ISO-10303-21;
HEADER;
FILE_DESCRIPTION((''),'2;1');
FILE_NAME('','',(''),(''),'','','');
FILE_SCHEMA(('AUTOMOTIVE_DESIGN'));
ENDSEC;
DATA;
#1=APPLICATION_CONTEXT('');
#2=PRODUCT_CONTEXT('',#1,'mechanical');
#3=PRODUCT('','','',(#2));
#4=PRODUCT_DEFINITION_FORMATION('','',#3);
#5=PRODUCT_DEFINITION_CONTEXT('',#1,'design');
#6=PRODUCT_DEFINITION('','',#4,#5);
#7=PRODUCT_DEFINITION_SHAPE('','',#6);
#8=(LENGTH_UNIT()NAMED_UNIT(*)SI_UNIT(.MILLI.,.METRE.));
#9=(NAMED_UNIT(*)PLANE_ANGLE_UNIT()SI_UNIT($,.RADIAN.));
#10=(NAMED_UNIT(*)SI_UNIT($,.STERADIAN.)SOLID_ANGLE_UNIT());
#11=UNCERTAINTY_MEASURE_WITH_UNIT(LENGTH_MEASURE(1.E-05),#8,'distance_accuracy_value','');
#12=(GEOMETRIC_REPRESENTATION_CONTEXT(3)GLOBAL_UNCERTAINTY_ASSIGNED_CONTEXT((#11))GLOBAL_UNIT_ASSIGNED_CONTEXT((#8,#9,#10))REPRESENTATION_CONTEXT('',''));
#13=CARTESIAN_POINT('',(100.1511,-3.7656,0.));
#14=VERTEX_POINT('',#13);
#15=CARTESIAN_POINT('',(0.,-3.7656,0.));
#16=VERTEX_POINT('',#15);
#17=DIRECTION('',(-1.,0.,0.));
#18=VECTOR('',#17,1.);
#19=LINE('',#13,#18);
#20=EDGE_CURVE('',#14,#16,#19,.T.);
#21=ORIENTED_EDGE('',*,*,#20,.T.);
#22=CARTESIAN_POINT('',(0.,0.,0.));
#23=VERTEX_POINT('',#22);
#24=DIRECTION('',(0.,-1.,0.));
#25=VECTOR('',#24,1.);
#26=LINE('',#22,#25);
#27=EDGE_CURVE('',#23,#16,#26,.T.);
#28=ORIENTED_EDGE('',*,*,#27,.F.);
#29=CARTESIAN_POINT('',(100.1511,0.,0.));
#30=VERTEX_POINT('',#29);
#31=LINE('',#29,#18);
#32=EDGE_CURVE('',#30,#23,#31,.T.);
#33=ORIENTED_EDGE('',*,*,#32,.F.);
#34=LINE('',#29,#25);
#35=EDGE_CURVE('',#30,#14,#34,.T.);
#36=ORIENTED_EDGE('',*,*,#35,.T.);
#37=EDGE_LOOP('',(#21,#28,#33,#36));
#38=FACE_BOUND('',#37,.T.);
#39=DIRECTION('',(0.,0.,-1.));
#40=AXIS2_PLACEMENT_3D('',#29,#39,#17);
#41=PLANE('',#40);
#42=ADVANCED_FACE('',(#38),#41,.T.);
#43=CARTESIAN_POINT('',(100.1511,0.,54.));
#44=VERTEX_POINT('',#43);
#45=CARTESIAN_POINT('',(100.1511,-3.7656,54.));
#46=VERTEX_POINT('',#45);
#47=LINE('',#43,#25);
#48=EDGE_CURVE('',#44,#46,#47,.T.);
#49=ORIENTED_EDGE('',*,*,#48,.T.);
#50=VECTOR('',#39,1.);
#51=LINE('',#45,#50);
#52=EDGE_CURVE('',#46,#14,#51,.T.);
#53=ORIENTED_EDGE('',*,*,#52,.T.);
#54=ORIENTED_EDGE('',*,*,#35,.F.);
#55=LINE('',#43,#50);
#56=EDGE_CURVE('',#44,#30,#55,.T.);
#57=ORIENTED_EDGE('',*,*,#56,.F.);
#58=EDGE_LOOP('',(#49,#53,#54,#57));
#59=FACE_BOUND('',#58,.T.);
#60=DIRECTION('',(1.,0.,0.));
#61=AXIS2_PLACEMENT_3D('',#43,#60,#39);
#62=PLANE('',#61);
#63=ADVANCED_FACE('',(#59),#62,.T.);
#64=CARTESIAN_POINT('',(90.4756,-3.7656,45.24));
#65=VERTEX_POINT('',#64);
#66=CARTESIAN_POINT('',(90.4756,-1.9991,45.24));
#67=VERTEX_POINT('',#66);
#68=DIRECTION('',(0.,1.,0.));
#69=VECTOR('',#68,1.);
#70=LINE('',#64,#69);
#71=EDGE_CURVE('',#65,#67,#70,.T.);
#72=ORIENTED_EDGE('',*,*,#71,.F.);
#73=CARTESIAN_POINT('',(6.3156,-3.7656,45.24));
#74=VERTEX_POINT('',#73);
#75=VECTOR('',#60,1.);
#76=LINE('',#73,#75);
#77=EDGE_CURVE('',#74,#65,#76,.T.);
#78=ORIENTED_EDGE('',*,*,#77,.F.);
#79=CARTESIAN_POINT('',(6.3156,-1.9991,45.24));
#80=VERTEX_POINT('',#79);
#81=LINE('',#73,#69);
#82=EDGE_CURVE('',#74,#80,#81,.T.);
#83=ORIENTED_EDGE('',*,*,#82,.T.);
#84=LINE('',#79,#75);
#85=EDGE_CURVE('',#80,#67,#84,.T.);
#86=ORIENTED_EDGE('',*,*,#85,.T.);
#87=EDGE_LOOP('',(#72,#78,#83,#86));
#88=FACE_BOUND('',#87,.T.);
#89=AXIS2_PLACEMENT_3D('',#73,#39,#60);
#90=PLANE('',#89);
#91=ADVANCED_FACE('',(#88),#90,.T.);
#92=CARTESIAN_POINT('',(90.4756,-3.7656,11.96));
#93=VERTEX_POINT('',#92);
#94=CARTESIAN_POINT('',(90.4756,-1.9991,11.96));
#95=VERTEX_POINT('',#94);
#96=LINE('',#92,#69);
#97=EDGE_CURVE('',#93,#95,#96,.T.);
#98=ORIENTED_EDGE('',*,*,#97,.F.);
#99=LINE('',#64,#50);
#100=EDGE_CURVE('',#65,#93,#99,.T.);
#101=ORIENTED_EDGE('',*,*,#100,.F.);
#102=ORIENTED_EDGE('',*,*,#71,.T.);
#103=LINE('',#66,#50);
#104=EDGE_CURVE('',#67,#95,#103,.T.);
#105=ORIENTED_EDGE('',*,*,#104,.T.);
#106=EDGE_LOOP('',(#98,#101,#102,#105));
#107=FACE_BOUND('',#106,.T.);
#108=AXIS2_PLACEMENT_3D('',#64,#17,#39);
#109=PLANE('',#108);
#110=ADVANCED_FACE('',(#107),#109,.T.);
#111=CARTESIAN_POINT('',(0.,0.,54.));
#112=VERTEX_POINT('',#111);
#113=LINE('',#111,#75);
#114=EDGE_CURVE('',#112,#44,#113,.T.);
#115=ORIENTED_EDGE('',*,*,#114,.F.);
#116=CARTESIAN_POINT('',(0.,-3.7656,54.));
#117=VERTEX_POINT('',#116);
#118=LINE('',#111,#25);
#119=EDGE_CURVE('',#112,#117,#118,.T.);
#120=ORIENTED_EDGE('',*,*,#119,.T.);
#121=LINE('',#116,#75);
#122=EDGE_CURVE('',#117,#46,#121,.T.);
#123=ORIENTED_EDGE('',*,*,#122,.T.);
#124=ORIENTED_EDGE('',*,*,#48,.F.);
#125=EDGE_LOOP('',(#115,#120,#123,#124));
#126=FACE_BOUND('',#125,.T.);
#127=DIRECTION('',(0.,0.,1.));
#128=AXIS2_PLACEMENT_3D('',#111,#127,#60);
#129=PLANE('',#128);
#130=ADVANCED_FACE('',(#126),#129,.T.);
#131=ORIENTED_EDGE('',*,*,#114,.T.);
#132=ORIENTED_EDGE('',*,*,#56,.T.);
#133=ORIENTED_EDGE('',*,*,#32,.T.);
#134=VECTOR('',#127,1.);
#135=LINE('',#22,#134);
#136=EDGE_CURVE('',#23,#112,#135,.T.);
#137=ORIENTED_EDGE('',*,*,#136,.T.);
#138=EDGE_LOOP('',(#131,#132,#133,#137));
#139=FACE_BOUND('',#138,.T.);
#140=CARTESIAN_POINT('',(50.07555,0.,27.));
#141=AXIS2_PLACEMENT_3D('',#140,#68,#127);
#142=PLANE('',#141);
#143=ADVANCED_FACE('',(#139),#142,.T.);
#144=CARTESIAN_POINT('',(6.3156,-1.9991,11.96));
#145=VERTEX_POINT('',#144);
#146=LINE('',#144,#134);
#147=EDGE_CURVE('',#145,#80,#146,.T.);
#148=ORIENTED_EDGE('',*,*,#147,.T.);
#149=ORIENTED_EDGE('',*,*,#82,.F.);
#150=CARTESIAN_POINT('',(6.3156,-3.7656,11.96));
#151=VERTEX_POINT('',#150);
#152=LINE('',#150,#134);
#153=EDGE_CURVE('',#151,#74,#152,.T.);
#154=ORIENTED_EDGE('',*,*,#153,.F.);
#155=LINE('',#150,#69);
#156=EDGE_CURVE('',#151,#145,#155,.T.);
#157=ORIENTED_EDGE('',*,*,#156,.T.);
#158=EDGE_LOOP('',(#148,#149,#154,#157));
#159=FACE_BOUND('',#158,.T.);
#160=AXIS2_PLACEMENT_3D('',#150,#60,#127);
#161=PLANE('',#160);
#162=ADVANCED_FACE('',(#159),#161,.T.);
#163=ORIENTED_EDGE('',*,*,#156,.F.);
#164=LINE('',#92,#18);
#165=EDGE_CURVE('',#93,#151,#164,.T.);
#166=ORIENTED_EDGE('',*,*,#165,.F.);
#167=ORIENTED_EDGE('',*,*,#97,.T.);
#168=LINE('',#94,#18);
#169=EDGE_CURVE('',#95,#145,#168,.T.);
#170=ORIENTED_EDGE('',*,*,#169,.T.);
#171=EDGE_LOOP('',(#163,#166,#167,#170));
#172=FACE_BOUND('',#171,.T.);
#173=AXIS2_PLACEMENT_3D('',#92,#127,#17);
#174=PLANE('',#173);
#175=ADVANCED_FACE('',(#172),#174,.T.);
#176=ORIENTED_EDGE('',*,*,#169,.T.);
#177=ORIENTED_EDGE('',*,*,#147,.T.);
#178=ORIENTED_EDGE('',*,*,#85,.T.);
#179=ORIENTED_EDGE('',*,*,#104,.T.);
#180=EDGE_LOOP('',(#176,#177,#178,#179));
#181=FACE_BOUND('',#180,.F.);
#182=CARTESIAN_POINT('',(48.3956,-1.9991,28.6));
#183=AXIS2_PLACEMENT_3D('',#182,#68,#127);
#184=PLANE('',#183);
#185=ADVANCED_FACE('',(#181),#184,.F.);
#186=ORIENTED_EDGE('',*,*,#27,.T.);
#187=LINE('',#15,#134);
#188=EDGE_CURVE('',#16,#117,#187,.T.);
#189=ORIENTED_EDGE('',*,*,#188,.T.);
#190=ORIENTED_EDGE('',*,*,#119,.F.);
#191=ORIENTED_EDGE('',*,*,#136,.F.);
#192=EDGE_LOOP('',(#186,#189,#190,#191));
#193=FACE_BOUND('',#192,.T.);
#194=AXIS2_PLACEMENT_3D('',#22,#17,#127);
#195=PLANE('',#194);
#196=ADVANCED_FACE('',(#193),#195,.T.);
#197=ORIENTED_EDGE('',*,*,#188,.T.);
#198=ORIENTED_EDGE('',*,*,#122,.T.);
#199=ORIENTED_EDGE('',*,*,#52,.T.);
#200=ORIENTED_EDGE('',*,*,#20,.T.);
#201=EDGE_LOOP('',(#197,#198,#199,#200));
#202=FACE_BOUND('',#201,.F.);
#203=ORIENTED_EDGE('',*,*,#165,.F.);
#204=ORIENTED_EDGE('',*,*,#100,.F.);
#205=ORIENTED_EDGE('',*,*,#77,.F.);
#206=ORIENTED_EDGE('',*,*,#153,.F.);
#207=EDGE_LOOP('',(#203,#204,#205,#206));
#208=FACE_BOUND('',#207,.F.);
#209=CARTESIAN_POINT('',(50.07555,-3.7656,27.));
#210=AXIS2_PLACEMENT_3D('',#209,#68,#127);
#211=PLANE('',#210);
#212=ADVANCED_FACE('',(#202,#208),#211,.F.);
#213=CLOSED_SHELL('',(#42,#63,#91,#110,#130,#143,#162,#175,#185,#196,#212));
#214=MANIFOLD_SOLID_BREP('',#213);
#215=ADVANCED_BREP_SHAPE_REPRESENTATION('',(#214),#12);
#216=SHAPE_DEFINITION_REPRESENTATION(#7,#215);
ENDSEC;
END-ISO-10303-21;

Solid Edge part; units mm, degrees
sketch "Sketch1" plane through (0, 0, 0) normal (0, -1, 0) x (1, 0, 0)
  line L0 (100.1511, 54) -> (100.1511, 0)
  line L1 (100.1511, 0) -> (0, 0)
  line L2 (0, 0) -> (0, 54)
  line L3 (0, 54) -> (100.1511, 54)
extrude "Protrusion1" add sketch "Sketch1" along normal blind 3.7656
sketch "Sketch2" plane through (50.0756, -3.7656, 27) normal (0, -1, 0) x (1, 0, 0)
  line L0 (40.4, -15.04) -> (-43.76, -15.04)
  line L1 (-43.76, -15.04) -> (-43.76, 18.24)
  line L2 (-43.76, 18.24) -> (40.4, 18.24)
  line L3 (40.4, 18.24) -> (40.4, -15.04)
extrude "Cutout1" cut sketch "Sketch2" against normal blind 1.7665
